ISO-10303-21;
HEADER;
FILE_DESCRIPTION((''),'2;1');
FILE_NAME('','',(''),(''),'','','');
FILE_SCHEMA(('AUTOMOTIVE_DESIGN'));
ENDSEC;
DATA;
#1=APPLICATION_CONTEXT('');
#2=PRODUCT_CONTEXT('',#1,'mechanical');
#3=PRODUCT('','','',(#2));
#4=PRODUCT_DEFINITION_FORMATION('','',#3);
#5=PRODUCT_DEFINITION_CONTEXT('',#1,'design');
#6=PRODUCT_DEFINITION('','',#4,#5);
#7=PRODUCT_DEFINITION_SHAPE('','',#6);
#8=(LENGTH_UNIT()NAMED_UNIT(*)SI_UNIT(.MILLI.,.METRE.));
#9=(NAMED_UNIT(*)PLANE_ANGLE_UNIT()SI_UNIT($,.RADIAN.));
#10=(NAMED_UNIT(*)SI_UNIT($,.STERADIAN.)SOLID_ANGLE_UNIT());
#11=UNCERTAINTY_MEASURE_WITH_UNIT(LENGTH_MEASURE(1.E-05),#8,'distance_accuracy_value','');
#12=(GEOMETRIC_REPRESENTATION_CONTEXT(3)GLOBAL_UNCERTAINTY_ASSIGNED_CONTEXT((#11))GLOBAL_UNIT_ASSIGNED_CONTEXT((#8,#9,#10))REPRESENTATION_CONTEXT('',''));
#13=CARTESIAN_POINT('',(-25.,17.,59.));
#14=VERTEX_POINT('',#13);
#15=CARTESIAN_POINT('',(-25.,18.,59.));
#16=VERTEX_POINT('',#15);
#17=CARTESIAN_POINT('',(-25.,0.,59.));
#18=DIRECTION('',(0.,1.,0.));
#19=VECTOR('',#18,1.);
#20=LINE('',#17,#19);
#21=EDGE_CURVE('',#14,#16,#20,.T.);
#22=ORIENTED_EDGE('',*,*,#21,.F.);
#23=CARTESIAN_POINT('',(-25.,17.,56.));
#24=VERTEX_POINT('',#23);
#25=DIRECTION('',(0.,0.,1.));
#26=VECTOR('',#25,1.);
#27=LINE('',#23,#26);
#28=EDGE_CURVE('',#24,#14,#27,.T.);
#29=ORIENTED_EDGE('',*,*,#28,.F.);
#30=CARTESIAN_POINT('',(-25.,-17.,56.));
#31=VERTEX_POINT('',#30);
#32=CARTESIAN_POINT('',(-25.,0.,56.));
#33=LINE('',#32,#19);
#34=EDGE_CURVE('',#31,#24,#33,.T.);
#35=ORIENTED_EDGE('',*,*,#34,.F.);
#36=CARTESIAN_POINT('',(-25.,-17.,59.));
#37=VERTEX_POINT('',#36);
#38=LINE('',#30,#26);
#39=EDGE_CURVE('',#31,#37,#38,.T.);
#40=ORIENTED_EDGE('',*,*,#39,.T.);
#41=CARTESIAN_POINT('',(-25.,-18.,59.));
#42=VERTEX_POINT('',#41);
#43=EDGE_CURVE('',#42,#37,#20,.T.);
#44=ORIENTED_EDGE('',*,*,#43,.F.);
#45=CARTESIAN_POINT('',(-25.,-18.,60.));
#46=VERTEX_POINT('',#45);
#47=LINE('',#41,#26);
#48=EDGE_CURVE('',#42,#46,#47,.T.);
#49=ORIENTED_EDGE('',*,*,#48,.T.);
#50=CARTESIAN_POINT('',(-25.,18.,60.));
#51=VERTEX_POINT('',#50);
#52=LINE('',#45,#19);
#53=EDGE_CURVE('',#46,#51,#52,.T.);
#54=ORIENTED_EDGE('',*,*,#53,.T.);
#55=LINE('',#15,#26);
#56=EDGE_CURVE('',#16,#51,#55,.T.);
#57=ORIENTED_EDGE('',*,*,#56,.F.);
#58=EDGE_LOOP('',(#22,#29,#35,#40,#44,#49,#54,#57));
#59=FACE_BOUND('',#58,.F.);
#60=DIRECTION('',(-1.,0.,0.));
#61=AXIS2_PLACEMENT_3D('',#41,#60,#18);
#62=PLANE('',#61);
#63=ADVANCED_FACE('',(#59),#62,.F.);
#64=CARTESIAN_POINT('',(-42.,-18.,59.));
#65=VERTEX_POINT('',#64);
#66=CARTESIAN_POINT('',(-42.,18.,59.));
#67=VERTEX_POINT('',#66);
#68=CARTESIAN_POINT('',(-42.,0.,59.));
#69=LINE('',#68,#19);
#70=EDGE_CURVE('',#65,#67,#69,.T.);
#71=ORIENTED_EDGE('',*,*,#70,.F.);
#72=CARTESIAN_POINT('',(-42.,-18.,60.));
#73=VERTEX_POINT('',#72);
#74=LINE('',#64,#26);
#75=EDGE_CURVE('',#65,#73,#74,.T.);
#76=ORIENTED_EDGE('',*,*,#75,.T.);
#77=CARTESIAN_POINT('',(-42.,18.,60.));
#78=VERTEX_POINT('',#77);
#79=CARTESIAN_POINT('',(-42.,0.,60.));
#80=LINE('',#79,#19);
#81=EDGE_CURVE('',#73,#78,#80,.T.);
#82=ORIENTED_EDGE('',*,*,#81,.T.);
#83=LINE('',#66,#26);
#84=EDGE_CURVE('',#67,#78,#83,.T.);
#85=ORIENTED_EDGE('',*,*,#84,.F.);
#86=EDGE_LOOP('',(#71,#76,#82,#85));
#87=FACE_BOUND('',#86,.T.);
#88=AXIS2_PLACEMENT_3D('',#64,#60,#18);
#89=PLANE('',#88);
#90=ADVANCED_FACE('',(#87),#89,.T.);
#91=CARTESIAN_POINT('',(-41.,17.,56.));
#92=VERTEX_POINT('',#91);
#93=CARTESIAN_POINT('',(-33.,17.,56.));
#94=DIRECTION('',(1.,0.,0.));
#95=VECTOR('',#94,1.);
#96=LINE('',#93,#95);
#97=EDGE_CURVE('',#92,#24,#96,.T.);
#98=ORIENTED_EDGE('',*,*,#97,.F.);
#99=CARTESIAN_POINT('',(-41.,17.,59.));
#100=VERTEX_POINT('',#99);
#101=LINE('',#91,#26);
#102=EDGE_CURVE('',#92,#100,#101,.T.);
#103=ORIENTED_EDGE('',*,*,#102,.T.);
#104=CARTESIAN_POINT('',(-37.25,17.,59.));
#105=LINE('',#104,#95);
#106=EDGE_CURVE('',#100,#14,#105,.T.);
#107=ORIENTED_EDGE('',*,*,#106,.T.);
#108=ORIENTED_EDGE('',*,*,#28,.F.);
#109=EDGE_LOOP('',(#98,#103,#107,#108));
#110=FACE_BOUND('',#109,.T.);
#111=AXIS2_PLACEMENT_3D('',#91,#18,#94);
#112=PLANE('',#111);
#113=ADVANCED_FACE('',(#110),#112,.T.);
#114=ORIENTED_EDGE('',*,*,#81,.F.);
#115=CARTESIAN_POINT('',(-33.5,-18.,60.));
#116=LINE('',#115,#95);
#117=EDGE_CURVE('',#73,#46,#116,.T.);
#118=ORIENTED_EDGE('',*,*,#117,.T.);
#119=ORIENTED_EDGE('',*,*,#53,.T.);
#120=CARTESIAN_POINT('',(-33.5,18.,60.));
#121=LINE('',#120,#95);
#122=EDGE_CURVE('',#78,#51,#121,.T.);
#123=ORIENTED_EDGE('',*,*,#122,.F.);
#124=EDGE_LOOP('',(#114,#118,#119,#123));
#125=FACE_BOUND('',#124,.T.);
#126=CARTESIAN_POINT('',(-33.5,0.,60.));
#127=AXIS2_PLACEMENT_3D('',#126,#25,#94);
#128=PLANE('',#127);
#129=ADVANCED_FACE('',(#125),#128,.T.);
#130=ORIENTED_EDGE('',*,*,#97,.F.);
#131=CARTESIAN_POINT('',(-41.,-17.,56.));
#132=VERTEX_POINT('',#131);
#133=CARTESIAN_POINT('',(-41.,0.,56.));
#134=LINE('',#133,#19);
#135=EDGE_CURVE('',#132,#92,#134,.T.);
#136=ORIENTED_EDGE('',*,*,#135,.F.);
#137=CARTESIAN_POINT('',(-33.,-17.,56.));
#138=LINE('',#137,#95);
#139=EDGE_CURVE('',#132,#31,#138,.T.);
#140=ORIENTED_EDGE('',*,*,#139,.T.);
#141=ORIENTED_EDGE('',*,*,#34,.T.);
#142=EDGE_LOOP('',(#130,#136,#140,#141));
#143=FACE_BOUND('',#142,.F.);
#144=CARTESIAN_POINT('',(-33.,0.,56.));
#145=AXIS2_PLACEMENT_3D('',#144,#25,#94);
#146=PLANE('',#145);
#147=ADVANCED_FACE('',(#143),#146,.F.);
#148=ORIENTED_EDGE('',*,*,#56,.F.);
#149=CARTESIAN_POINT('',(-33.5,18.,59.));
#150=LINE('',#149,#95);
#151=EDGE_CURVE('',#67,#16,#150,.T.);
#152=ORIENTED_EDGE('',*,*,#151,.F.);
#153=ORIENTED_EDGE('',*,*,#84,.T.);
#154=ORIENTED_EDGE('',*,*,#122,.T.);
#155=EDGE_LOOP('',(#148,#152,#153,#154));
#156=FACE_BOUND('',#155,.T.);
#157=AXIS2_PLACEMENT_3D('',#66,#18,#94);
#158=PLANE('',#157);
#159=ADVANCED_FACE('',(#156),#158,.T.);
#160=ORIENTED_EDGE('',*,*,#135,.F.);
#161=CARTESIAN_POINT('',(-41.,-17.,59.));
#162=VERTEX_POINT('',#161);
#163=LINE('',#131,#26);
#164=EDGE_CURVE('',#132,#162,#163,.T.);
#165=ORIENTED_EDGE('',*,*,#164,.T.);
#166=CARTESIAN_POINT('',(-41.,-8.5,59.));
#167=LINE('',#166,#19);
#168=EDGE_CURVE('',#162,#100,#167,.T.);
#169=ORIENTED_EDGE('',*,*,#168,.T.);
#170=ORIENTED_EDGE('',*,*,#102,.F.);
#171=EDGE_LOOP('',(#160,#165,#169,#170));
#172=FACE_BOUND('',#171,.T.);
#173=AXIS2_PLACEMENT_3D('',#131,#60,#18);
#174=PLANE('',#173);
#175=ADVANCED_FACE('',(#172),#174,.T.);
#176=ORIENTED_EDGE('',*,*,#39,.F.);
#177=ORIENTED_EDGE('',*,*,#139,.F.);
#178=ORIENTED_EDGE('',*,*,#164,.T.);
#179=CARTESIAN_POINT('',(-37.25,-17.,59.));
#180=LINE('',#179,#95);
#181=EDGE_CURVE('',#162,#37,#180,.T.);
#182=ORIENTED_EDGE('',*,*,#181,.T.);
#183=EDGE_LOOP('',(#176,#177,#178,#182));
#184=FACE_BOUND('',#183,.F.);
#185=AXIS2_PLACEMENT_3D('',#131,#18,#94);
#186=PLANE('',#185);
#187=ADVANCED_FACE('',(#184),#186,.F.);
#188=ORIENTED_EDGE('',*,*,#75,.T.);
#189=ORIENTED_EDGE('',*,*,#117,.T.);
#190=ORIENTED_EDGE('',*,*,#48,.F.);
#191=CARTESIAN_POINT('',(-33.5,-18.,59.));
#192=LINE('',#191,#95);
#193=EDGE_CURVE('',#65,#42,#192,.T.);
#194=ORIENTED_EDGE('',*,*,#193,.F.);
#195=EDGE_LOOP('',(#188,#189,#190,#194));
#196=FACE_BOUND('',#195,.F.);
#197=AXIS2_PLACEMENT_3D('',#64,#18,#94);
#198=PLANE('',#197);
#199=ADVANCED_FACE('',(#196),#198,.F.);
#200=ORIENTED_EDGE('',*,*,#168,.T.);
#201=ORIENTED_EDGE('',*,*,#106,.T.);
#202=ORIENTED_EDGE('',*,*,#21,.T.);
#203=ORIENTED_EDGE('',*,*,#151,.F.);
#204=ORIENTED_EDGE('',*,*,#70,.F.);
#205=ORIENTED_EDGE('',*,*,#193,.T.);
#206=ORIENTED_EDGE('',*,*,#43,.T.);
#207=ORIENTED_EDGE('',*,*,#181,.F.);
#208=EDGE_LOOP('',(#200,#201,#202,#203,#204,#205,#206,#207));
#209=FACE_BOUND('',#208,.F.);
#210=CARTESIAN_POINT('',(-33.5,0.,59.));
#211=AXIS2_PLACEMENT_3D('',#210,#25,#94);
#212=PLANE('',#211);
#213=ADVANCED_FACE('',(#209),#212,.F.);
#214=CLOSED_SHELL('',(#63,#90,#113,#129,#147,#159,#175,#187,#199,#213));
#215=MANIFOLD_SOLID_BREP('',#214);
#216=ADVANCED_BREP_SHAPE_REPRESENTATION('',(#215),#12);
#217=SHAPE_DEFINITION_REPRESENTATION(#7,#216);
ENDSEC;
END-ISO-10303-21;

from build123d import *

# Parameters (mm, degrees)
BOX011_W     = 17
BOX011_H     = 36
BOX011_DEPTH = 1
BOX010_W     = 16
BOX010_H     = 34
BOX010_DEPTH = 4


with BuildPart() as cubo011:
    # Box011 → Box011 (new body)
    with BuildSketch(Plane(origin=(-42, -18, 40), x_dir=(1, 0, 0), z_dir=(0, 0, 1))):
        with Locations((8.5, 18)):
            Rectangle(BOX011_W, BOX011_H)
    extrude(amount=BOX011_DEPTH)


with BuildPart() as fusion002:
    # Box010 → Box010 (new body)
    with BuildSketch(Plane(origin=(-41, -17, 37), x_dir=(1, 0, 0), z_dir=(0, 0, 1))):
        with Locations((8, 17)):
            Rectangle(BOX010_W, BOX010_H)
    extrude(amount=BOX010_DEPTH)

    # Fusion002: union Cubo011
    add(cubo011.part)


with BuildPart() as fusion002_1:
    # Fusion002 placement: moved
    add(fusion002.part.moved(Location((0, 0, 19))))


solid = fusion002_1.part
